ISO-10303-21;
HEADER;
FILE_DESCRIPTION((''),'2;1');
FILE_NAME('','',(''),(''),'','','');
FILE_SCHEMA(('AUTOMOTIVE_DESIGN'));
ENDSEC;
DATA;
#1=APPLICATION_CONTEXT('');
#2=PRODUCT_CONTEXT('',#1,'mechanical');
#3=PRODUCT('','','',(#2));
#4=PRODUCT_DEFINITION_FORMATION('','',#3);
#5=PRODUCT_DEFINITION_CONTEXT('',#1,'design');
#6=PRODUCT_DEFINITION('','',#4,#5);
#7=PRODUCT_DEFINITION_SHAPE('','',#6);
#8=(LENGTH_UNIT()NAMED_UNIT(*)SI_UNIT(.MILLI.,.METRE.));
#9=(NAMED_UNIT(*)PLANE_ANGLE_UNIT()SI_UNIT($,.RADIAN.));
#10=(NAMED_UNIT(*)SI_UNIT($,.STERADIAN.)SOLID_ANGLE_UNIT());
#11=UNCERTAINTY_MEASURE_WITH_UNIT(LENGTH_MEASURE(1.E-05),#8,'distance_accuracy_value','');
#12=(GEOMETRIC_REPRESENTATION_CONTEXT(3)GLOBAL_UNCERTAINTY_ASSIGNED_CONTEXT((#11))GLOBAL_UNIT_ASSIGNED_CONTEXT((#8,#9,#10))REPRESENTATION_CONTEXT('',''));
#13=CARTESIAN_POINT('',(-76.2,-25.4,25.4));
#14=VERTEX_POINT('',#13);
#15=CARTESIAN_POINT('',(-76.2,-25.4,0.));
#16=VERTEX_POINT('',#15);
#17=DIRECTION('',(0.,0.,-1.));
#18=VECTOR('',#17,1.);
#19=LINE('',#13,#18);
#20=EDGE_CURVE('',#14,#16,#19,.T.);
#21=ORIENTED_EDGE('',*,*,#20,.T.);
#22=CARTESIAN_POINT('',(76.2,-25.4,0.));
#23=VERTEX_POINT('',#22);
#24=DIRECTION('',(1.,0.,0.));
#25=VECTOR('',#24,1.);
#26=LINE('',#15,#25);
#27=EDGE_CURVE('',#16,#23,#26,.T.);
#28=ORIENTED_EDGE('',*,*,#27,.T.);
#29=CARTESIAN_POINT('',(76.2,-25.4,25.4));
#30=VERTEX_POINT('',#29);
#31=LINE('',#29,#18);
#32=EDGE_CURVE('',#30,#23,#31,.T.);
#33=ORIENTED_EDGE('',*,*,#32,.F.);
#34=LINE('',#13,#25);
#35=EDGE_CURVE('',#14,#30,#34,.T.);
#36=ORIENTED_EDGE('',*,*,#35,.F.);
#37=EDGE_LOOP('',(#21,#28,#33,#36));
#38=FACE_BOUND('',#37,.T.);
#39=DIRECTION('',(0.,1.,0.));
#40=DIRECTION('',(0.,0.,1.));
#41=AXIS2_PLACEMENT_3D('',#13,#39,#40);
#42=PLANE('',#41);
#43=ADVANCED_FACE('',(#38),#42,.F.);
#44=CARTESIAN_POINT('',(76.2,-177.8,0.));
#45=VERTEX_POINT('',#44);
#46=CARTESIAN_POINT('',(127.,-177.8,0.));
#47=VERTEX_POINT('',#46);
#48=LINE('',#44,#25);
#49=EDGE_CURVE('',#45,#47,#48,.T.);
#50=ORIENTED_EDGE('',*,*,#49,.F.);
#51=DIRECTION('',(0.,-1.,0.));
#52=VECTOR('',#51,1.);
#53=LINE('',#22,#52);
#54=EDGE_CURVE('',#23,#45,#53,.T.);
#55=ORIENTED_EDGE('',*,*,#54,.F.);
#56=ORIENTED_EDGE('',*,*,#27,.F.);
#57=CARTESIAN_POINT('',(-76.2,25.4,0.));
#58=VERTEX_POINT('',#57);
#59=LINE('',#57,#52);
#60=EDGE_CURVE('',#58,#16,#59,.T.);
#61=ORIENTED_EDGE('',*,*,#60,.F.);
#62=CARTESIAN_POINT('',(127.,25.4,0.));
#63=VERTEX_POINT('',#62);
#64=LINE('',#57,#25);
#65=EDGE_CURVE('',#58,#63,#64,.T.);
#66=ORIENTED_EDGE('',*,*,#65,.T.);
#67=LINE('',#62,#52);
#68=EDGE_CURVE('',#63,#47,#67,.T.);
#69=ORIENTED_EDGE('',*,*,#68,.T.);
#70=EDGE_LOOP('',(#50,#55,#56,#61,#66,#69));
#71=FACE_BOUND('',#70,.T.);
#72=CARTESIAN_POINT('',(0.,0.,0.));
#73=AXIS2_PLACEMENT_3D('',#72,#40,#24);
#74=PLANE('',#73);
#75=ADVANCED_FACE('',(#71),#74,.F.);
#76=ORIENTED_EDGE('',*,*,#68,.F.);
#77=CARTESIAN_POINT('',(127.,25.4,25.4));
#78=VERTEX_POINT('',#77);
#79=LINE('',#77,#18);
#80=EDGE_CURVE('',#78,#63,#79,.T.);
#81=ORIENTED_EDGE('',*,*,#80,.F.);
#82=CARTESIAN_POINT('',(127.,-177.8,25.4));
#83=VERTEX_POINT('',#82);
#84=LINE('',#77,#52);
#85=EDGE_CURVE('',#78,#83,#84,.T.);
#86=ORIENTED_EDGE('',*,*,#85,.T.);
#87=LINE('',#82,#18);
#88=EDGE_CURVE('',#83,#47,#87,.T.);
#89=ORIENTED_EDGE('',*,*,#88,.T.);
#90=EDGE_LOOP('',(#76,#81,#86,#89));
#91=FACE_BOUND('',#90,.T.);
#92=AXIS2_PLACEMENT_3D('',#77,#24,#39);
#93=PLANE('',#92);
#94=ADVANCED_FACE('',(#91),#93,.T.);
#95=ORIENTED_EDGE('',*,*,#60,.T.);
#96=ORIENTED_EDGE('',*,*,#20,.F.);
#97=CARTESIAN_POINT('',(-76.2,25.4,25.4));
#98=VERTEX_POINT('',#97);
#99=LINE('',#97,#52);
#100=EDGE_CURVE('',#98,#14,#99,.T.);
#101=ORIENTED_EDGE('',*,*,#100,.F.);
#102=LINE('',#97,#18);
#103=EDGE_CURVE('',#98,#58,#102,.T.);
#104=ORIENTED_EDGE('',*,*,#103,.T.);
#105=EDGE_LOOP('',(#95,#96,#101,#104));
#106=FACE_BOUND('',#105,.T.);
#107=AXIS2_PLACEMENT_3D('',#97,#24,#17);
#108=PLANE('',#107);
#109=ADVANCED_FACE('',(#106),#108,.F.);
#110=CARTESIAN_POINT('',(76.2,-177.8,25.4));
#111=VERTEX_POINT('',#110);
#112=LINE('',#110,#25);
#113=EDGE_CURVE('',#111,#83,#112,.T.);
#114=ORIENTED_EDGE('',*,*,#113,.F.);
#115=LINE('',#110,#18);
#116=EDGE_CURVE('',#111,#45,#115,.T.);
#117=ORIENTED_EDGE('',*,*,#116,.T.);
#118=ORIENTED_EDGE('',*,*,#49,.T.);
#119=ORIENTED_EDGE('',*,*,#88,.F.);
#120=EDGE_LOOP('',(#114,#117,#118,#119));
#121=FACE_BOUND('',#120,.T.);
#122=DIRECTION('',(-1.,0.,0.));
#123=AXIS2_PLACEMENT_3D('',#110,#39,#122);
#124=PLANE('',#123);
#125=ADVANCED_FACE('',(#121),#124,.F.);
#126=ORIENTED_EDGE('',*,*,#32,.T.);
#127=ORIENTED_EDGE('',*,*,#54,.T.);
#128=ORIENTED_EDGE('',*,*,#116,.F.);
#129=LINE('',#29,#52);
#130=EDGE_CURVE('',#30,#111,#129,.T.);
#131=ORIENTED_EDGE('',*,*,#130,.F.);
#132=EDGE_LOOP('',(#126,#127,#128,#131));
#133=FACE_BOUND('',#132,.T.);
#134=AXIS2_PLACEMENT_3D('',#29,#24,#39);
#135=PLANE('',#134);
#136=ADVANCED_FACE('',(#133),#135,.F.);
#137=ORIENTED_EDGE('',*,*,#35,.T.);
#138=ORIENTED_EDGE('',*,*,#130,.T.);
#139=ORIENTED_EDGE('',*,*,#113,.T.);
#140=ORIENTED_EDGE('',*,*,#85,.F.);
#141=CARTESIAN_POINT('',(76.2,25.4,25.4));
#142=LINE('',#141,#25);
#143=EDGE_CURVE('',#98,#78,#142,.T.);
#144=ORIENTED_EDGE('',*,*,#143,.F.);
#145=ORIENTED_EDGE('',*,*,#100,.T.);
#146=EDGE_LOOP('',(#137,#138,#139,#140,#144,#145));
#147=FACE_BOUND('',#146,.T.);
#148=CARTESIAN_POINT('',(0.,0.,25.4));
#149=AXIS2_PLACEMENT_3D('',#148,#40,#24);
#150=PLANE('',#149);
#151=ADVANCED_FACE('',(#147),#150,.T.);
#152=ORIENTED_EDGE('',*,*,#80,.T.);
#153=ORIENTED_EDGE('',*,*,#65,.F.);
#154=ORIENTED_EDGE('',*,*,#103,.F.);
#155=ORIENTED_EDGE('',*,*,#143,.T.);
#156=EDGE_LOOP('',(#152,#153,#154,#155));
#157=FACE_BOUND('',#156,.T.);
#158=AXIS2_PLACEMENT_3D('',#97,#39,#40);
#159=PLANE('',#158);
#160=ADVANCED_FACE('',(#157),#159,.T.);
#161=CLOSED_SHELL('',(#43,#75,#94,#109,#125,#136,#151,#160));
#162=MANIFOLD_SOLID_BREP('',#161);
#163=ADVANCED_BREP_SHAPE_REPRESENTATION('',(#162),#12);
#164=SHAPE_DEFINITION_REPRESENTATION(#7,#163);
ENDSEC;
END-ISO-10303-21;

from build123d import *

# Parameters (mm, degrees)
BOSS_EXTRUDE1_DEPTH = 25.4


with BuildPart() as part:
    # Sketch3 → Boss-Extrude1 (new body)
    with BuildSketch(Plane.XY):
        Polygon((-76.2, 25.4), (76.2, 25.4), (127, 25.4), (127, -177.8), (76.2, -177.8), (76.2, -25.4), (-76.2, -25.4), align=None)
    extrude(amount=BOSS_EXTRUDE1_DEPTH)


solid = part.part
